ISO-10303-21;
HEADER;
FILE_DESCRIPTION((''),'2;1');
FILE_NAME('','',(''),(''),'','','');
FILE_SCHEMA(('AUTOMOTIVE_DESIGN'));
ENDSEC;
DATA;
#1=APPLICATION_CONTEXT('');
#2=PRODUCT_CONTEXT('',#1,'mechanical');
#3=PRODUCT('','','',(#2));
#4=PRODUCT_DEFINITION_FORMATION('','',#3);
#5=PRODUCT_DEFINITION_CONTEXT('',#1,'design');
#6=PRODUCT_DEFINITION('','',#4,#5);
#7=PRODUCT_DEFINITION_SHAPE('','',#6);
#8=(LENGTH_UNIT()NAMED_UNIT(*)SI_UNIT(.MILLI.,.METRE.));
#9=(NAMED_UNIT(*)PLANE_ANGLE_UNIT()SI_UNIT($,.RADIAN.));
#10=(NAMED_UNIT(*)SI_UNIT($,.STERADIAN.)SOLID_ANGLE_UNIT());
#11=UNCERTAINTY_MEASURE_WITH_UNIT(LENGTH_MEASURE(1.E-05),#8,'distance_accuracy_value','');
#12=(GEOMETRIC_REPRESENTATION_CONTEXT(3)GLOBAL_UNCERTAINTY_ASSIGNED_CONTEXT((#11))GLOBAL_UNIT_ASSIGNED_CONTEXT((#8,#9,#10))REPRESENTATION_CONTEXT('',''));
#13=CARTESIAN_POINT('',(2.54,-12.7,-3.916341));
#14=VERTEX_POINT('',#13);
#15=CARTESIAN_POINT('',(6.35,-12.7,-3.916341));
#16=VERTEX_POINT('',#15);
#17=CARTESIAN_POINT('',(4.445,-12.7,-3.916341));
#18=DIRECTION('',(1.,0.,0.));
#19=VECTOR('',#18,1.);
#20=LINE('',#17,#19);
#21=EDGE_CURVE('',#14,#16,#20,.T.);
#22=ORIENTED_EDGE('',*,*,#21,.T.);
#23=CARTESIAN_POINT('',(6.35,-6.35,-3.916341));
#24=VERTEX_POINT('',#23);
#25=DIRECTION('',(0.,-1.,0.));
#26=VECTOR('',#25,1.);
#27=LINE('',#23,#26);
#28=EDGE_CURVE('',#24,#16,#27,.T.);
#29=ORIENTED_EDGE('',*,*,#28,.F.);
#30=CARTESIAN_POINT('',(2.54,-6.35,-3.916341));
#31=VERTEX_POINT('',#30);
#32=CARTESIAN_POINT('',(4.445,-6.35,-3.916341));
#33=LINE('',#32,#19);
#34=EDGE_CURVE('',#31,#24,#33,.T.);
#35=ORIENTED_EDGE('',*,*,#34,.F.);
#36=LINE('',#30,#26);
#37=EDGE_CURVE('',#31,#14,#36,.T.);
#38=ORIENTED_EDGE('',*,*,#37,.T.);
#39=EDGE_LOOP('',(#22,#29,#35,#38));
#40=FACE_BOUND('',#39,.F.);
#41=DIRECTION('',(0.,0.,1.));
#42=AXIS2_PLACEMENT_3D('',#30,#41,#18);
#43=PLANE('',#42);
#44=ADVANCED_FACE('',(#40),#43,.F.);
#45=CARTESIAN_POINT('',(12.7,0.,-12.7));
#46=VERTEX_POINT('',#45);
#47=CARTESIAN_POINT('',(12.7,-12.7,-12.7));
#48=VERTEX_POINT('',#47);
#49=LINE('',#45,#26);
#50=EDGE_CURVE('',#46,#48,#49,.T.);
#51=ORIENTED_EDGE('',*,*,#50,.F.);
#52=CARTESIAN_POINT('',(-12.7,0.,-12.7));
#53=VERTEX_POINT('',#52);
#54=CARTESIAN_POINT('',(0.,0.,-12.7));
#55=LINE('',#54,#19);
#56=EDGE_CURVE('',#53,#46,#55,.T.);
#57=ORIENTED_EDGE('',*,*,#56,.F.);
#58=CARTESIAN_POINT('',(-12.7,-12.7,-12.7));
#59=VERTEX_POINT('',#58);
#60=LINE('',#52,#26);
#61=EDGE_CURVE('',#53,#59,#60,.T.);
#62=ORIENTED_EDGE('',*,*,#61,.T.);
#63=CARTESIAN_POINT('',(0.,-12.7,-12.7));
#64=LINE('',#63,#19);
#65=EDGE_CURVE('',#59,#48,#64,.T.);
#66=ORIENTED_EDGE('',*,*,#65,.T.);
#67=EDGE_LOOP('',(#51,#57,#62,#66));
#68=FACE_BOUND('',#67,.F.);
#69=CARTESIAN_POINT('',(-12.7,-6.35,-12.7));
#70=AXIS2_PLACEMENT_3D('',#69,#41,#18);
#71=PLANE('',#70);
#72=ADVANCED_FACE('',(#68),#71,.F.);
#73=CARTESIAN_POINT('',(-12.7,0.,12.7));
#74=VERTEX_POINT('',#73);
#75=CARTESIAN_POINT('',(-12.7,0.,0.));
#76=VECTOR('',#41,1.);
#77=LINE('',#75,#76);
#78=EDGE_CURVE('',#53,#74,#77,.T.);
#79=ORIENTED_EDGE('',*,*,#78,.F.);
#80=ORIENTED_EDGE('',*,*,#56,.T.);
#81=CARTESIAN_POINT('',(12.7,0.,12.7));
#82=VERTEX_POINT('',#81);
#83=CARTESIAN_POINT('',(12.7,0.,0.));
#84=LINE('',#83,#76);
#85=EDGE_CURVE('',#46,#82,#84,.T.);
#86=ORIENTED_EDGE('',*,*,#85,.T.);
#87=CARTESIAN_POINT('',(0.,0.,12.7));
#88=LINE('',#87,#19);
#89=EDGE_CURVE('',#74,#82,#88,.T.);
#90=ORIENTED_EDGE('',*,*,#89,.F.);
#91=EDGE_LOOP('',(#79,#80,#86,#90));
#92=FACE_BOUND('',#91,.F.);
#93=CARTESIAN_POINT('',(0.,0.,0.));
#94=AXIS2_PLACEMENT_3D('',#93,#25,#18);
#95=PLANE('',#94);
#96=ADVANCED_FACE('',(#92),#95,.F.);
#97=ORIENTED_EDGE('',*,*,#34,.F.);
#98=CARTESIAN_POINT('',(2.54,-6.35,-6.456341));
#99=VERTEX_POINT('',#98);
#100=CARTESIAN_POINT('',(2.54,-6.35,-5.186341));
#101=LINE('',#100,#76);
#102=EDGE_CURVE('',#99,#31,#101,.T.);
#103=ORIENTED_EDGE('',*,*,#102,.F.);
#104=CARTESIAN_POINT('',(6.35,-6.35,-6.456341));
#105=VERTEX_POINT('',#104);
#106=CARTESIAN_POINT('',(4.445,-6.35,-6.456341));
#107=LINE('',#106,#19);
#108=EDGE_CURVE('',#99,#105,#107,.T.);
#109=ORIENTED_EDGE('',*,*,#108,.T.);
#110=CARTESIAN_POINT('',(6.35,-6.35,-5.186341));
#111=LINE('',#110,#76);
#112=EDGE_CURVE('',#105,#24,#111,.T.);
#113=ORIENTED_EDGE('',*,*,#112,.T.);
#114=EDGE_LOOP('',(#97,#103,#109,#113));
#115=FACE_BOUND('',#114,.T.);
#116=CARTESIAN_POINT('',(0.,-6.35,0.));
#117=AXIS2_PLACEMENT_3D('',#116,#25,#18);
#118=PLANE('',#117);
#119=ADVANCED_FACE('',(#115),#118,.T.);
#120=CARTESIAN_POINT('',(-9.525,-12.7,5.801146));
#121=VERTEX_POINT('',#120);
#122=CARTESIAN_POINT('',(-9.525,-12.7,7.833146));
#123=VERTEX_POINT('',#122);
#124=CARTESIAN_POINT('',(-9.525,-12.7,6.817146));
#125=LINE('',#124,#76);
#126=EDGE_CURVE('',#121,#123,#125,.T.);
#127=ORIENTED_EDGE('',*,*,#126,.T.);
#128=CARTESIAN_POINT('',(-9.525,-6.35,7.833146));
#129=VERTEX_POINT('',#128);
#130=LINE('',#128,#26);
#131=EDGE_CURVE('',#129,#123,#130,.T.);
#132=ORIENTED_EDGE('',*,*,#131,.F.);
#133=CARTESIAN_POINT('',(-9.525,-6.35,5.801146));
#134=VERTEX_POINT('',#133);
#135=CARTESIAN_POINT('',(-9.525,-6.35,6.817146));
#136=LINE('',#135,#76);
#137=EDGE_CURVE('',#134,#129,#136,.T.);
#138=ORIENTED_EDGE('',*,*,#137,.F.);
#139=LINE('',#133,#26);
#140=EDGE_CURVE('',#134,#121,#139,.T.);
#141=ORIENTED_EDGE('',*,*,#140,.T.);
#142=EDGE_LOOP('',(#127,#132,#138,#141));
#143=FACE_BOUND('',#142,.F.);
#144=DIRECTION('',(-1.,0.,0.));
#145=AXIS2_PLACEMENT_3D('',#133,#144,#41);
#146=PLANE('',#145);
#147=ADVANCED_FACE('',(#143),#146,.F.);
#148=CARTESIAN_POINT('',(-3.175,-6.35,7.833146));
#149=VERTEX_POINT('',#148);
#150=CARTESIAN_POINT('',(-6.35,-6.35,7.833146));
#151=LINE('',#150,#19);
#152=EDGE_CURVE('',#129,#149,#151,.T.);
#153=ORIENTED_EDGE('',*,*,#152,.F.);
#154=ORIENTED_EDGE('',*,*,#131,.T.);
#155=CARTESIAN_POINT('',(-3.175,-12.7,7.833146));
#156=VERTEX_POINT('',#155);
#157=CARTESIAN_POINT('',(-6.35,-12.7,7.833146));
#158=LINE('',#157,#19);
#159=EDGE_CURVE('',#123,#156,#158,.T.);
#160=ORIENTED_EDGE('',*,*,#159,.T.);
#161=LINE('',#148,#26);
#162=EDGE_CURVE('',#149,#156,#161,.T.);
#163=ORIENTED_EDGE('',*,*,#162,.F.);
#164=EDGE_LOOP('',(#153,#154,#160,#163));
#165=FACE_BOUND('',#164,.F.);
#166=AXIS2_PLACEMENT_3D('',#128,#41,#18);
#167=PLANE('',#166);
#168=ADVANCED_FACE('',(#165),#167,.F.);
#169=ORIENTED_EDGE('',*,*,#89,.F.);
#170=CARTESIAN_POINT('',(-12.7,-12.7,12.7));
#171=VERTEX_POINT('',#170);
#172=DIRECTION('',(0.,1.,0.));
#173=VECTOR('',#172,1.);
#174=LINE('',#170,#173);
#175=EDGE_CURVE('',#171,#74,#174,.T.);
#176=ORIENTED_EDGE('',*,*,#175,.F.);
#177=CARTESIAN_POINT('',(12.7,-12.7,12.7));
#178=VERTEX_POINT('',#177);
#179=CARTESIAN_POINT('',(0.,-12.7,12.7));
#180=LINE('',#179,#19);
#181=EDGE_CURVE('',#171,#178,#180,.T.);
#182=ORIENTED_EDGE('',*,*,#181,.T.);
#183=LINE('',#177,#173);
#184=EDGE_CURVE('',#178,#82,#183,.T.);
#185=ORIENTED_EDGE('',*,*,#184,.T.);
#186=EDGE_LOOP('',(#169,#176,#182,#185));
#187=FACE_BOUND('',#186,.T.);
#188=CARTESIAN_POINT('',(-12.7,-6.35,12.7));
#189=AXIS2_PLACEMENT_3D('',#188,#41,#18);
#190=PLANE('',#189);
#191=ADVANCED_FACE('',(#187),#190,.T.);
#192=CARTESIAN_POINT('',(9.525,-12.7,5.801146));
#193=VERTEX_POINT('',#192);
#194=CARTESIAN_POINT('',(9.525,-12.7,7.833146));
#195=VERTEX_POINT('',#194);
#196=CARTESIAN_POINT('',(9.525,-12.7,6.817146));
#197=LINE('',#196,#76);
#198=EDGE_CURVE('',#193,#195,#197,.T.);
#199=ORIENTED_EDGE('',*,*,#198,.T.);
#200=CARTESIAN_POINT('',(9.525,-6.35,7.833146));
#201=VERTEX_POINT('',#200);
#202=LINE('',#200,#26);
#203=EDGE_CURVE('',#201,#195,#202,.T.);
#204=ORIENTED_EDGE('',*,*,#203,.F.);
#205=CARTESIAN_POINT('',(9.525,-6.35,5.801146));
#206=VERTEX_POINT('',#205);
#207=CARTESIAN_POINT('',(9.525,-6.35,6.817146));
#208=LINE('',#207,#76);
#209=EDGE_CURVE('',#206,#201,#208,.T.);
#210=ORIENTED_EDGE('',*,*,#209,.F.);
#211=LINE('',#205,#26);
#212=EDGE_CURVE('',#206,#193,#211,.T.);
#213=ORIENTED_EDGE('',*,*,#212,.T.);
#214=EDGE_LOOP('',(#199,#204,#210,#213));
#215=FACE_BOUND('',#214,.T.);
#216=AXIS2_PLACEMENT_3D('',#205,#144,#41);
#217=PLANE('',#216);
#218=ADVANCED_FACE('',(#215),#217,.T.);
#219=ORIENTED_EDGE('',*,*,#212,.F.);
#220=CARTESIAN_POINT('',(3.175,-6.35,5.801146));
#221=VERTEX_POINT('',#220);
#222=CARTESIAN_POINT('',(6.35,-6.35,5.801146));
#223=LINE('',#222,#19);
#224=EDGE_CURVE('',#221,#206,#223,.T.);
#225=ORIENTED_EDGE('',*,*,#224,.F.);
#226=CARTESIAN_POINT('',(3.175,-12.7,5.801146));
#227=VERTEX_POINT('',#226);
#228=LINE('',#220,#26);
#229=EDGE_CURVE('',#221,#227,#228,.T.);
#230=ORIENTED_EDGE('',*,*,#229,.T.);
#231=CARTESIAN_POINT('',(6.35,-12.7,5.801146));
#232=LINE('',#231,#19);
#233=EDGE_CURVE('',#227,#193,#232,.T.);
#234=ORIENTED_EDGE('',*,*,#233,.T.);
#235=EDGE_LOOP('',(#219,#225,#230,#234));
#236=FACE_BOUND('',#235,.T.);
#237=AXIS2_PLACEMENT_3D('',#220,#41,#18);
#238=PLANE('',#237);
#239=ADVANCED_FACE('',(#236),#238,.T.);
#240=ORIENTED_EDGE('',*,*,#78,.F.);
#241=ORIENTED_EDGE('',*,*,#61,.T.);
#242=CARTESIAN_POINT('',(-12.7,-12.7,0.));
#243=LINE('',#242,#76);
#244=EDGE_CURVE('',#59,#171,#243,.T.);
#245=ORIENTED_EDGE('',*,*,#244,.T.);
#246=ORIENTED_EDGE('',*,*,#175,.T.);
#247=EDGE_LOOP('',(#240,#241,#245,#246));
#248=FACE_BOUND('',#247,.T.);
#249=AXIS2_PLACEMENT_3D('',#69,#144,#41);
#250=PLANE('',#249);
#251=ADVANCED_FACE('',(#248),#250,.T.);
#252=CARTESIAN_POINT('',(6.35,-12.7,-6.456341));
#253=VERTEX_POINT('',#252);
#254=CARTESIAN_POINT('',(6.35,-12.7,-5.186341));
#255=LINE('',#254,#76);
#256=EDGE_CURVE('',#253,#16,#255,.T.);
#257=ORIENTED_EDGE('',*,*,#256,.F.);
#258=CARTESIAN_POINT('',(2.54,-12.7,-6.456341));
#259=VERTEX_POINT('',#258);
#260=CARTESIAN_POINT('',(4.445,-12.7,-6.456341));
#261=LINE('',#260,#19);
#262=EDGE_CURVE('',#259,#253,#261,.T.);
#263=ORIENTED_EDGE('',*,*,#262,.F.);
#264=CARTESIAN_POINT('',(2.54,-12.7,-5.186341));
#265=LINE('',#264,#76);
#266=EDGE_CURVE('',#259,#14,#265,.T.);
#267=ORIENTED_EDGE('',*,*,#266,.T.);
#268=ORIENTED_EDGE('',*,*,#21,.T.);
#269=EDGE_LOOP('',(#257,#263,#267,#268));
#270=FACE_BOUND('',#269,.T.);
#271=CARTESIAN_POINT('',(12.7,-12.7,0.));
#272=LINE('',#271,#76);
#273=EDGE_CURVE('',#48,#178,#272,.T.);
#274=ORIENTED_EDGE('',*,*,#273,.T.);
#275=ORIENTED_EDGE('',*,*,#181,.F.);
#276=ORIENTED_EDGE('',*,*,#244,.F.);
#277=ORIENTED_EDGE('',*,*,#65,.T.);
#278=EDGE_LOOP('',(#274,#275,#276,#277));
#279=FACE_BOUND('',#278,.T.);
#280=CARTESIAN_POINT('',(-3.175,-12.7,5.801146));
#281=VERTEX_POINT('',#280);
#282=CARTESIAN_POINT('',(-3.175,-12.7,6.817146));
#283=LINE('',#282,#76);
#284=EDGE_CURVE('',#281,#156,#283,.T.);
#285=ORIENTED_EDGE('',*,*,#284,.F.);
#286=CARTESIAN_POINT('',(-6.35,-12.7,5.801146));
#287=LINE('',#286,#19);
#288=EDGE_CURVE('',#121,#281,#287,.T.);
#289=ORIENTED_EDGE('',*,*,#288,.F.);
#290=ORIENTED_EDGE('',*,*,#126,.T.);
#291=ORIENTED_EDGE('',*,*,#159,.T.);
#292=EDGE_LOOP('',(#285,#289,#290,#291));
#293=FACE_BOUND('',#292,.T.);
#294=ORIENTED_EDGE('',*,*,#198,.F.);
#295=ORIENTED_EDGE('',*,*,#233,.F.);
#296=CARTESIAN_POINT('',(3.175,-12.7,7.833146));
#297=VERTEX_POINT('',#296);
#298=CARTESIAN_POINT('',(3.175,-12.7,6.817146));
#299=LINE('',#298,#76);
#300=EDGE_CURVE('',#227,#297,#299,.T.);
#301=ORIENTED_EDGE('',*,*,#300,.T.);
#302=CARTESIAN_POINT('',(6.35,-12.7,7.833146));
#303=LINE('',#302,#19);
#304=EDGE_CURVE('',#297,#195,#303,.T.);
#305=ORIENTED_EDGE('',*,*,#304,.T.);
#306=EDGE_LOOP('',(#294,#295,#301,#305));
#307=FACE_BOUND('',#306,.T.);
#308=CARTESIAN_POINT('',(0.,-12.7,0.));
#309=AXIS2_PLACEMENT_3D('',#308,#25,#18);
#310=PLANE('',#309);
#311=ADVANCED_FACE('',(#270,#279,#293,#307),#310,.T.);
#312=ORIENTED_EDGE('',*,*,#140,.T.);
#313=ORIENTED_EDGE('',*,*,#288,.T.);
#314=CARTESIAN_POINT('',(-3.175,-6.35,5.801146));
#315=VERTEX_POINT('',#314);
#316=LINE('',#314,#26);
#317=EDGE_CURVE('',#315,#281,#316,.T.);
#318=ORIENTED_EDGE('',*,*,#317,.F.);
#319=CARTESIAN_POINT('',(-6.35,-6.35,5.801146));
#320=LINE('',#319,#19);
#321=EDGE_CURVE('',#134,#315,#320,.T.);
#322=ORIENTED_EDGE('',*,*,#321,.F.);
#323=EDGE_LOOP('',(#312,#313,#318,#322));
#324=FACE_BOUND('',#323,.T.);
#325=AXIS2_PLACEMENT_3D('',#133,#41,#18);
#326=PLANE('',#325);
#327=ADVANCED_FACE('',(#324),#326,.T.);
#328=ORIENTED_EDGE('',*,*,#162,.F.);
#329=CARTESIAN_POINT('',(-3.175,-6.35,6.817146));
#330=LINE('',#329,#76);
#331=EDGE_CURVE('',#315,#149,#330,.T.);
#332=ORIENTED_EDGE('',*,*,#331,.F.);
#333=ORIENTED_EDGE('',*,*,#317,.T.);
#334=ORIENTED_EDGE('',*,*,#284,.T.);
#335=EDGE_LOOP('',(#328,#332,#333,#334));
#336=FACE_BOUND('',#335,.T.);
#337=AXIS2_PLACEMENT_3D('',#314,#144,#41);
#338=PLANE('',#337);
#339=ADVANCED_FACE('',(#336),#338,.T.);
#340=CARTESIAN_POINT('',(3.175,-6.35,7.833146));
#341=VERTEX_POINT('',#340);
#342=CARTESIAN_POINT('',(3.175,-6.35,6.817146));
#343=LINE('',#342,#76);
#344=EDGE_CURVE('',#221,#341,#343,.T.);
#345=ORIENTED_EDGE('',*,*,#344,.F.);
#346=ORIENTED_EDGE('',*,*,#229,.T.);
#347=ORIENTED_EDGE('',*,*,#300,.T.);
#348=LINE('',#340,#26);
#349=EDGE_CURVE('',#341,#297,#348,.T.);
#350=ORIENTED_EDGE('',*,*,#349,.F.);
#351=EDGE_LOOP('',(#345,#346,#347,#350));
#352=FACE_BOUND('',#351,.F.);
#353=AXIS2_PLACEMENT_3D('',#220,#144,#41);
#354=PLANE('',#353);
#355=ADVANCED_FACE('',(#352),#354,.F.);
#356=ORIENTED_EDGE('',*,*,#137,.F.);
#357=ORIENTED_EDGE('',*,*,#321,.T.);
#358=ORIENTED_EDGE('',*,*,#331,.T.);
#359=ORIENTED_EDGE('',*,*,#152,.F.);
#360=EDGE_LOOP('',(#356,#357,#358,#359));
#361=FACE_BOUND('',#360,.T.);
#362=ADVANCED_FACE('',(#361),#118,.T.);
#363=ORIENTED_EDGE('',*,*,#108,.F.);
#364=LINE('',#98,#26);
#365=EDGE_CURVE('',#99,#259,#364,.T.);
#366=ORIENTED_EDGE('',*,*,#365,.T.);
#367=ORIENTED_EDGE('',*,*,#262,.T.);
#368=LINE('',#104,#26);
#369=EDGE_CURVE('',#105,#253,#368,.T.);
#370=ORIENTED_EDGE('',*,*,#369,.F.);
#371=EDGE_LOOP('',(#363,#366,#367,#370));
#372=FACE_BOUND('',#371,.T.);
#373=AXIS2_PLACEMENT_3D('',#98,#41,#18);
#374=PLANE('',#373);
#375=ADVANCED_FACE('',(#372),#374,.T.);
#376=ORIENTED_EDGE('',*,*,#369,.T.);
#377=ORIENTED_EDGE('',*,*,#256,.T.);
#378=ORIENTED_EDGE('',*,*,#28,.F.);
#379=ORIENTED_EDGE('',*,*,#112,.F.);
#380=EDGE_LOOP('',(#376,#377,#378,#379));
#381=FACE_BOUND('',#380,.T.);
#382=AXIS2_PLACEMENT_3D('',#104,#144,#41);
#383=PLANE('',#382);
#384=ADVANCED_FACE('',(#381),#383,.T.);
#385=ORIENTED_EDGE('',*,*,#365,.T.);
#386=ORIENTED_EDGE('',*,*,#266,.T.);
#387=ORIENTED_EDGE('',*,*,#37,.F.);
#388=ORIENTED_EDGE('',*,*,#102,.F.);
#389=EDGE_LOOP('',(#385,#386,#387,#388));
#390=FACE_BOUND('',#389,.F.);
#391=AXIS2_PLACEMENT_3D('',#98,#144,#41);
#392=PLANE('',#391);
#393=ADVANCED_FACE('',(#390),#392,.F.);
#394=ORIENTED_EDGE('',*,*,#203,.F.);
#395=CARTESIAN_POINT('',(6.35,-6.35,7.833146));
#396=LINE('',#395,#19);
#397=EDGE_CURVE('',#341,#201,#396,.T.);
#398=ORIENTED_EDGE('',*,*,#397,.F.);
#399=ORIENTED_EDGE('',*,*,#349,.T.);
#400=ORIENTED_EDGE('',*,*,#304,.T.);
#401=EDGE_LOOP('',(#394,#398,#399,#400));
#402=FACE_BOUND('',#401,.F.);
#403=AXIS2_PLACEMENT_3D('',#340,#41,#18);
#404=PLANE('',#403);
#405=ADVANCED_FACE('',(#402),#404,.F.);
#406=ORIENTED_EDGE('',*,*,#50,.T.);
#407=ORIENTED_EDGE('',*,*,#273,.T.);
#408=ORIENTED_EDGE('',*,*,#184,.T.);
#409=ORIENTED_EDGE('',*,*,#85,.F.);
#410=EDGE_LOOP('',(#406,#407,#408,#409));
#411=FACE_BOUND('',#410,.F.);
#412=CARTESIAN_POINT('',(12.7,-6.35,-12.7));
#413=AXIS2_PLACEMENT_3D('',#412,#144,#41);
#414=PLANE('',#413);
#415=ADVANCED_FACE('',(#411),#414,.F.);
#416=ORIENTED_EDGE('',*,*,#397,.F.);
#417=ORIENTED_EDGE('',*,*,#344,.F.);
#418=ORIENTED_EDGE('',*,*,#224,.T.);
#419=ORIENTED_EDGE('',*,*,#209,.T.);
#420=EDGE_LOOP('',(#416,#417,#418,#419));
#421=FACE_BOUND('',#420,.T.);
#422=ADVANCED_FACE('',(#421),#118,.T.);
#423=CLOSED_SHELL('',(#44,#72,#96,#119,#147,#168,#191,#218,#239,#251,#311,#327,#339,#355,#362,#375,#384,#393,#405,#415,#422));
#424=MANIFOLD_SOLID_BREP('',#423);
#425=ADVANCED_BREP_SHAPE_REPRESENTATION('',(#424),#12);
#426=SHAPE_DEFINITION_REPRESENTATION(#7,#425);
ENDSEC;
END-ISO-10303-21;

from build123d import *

# Parameters (mm, degrees)
F0_W     = 25.4
F0_H     = 25.4
F1_DEPTH = 6.35
F2_W     = 25.4
F2_H     = 25.4
F2_W_2   = 3.81
F2_H_2   = 2.54
F2_W_3   = 6.35
F2_H_3   = 2.032
F3_DEPTH = 6.35


with BuildPart() as f1:
    # F0 (on Front) → F1 (new body)
    with BuildSketch(Plane.XZ):
        Rectangle(F0_W, F0_H)
    extrude(amount=F1_DEPTH)

    # F2 (on face) → F3 (join)
    with BuildSketch(Plane.XZ.offset(6.35)):
        Rectangle(F2_W, F2_H)
        with Locations((4.445, -5.186341)):
            Rectangle(F2_W_2, F2_H_2, mode=Mode.SUBTRACT)
        with Locations((-6.35, 6.817146)):
            Rectangle(F2_W_3, F2_H_3, mode=Mode.SUBTRACT)
        with Locations((6.35, 6.817146)):
            Rectangle(F2_W_3, F2_H_3, mode=Mode.SUBTRACT)
    extrude(amount=F3_DEPTH)


solid = f1.part
